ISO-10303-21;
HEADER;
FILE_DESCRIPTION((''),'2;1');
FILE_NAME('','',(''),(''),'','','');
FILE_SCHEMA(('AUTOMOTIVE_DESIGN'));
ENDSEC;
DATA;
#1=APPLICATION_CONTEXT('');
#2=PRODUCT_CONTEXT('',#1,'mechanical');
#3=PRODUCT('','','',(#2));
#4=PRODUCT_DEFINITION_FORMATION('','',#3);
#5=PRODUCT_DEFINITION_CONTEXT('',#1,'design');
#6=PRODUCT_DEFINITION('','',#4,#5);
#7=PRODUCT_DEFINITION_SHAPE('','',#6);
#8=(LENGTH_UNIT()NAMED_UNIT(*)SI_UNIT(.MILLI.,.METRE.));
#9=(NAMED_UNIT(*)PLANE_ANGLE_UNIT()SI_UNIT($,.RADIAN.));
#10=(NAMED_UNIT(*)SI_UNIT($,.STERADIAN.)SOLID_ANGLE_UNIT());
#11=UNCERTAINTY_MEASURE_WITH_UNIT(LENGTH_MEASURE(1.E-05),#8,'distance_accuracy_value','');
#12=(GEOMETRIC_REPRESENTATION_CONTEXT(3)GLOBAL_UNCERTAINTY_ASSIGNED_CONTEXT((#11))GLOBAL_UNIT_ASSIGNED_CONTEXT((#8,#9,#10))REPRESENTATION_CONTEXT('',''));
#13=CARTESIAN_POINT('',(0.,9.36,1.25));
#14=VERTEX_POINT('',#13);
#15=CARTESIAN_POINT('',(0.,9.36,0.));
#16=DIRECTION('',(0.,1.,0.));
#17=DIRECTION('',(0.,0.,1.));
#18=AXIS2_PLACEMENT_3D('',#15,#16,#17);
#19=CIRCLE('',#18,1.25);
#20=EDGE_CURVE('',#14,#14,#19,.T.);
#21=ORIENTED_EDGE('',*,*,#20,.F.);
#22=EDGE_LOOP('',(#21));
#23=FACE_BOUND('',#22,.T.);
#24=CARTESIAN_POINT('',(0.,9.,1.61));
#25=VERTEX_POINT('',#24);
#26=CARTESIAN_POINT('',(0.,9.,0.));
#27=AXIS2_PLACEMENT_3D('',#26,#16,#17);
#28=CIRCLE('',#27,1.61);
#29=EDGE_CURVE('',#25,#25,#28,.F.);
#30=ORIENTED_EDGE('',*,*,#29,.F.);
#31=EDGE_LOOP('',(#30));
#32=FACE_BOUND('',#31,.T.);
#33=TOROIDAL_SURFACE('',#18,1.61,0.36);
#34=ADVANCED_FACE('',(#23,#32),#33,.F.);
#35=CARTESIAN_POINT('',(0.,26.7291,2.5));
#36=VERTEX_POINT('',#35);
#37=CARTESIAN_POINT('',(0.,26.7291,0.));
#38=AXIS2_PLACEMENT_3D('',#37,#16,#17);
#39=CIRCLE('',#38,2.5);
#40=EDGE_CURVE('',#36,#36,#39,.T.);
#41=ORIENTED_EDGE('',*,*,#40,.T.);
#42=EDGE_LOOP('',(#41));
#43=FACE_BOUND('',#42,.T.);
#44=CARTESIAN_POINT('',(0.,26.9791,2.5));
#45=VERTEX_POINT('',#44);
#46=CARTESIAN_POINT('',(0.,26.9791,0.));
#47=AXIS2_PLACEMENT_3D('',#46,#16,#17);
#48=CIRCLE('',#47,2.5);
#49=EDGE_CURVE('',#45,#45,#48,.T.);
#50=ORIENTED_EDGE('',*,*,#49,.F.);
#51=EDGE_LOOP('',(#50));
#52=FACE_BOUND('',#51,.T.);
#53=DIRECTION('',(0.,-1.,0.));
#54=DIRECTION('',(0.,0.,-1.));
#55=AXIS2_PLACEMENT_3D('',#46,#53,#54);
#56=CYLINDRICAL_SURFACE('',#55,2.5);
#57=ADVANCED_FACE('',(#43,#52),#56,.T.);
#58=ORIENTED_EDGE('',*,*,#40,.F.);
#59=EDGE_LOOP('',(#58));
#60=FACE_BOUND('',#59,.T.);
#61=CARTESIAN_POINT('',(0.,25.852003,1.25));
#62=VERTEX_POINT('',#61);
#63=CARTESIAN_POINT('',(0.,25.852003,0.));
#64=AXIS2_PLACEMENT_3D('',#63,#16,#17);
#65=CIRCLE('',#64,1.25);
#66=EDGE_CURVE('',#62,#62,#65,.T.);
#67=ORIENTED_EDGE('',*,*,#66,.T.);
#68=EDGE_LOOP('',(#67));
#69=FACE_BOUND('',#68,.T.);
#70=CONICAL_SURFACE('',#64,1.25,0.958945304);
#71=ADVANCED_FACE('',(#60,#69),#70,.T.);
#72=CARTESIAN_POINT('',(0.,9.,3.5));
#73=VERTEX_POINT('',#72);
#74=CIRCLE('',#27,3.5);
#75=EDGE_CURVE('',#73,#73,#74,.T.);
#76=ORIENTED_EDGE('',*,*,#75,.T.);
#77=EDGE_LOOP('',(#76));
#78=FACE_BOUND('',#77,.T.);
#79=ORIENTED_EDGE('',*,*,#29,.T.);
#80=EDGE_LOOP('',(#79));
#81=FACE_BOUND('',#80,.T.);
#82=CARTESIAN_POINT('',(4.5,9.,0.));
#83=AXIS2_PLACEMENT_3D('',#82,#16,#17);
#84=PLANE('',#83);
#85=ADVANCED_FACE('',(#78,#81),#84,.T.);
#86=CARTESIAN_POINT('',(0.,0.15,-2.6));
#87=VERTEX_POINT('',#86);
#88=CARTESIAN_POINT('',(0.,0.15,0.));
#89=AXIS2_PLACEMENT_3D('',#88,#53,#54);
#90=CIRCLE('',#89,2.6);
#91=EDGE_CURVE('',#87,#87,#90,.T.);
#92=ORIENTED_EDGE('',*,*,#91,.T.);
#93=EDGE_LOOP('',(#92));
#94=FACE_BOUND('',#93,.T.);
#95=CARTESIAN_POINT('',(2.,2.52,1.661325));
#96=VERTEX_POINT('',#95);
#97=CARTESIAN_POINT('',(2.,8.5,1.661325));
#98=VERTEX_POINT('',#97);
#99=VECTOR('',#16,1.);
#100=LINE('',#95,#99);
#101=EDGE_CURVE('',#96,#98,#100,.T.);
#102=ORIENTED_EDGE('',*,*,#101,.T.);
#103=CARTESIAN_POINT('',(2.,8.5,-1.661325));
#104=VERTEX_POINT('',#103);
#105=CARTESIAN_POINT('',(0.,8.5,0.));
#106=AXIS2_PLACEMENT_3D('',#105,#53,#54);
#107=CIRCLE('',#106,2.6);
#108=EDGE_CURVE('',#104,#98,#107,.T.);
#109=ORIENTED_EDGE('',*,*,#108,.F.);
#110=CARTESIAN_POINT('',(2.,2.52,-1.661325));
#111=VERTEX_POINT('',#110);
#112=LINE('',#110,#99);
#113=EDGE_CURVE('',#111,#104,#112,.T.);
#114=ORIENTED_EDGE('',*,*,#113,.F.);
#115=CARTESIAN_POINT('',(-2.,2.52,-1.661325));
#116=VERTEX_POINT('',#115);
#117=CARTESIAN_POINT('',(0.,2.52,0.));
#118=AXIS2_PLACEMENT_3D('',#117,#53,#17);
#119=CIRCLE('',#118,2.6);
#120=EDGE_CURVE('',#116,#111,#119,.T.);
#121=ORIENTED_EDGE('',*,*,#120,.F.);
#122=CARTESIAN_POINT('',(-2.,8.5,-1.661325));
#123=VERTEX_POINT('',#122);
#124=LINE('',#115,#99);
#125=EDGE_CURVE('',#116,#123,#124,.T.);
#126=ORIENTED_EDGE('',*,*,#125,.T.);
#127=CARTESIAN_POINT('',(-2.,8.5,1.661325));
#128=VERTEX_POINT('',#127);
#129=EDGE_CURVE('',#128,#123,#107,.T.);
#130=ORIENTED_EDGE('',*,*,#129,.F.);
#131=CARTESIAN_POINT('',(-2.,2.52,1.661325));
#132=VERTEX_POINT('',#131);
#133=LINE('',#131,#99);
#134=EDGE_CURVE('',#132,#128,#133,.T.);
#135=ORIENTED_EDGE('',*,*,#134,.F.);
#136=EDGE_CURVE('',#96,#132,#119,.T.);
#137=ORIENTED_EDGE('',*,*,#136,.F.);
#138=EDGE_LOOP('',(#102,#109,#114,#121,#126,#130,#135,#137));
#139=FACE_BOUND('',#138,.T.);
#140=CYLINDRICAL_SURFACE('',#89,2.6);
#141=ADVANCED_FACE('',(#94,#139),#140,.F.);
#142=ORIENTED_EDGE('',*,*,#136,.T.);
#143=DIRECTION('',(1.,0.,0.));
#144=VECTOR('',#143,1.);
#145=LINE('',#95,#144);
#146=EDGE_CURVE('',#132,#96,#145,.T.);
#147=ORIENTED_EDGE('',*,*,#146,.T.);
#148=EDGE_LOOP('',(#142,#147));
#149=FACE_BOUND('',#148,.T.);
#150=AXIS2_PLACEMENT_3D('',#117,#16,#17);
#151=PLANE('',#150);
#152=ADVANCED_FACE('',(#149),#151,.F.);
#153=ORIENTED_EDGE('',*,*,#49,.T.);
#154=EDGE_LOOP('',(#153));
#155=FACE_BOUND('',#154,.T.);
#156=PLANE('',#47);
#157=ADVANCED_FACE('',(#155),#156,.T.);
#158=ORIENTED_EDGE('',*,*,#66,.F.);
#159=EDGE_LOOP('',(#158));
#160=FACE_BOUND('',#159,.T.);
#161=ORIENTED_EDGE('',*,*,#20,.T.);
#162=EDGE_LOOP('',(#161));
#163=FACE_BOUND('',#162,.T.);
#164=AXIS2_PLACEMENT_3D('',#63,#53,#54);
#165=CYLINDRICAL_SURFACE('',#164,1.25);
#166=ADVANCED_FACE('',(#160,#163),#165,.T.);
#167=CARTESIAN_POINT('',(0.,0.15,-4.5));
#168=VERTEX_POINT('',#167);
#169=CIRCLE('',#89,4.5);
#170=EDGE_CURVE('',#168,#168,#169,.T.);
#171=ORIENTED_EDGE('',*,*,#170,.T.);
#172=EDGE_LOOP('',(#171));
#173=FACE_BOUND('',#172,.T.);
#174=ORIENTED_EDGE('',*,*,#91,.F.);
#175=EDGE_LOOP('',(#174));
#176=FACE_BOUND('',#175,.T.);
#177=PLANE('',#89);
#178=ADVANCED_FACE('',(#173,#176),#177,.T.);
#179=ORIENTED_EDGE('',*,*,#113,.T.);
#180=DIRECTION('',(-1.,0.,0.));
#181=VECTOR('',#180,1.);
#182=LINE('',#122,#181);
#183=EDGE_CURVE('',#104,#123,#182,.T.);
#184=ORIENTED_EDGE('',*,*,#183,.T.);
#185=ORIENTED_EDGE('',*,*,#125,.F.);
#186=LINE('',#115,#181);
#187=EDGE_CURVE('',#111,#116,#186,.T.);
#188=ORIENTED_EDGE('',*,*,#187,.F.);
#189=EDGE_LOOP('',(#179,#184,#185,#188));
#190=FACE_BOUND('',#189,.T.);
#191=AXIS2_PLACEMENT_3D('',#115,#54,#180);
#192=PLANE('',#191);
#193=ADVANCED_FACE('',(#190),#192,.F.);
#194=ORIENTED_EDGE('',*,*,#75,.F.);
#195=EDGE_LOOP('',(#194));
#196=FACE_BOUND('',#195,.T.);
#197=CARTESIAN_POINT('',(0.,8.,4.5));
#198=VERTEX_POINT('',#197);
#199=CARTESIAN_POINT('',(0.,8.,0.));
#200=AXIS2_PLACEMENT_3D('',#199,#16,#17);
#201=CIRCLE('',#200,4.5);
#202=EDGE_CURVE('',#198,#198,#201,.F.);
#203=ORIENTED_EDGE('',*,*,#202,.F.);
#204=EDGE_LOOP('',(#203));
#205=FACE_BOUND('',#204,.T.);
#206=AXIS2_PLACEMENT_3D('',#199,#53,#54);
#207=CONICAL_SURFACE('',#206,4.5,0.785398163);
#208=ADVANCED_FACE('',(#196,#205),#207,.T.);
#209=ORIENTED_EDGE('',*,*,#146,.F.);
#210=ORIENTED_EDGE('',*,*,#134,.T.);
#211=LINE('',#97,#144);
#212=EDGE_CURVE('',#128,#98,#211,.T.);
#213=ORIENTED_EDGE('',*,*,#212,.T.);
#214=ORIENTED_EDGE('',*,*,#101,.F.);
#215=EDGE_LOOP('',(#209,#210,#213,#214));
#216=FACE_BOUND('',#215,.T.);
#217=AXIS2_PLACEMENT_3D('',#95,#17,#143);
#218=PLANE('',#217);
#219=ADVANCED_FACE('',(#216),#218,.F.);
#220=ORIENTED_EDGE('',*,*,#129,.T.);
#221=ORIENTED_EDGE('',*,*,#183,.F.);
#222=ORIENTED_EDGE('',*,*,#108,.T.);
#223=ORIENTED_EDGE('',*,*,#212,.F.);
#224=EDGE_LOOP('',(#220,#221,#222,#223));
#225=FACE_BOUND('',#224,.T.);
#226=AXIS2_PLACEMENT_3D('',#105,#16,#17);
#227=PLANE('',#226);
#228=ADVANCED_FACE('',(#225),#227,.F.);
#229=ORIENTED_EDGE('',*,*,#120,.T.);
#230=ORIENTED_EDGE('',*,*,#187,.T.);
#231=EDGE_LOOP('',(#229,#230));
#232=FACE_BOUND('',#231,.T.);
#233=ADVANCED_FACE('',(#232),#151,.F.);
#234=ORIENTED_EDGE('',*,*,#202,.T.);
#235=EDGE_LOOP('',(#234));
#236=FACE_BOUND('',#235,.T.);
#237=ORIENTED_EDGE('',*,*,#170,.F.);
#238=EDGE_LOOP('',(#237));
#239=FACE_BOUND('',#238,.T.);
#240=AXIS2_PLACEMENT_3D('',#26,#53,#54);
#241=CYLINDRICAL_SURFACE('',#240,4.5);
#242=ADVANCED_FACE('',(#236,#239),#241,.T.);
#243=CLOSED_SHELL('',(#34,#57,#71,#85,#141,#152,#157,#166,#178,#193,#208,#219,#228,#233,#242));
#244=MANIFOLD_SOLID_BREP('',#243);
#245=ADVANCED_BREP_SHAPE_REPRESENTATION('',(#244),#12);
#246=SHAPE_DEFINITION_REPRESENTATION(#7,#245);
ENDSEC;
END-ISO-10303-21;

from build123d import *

# Parameters (mm, degrees)
SKETCH1_W                      = 4.5
SKETCH1_H                      = 8.85
F_5_2_5_2_DIAMETER_HOLE1_D     = 5.2
F_5_2_5_2_DIAMETER_HOLE1_DEPTH = 8.35
BOSS_EXTRUDE1_DEPTH            = 5.98
BOSS_EXTRUDE2_DEPTH            = 5.98
SKETCH6_R                      = 1.25
BOSS_EXTRUDE3_DEPTH            = 16.852002855
SKETCH7_R                      = 1.25
BOSS_EXTRUDE4_DEPTH            = 0.877097074
BOSS_EXTRUDE4_TAPER            = -54.943518707
SKETCH8_R                      = 2.5
BOSS_EXTRUDE5_DEPTH            = 0.25
CHAMFER1_SIZE                  = 1
FILLET1_R                      = 0.36


with BuildPart() as part:
    # Sketch1 → Revolve1 (revolve)
    with BuildSketch(Plane.XY):
        with Locations((2.25, 4.575)):
            Rectangle(SKETCH1_W, SKETCH1_H)
    revolve(axis=Axis((0, 9, 0), (0, -1, 0)))

    # Ø5.2 (5.2) Diameter Hole1
    with Locations(Plane(origin=(0, 0.15, 0), x_dir=(-1, 0, 0), z_dir=(0, -1, 0))):
        with Locations((0, 0)):
            Hole(F_5_2_5_2_DIAMETER_HOLE1_D / 2, depth=F_5_2_5_2_DIAMETER_HOLE1_DEPTH)

    # Sketch4 → Boss-Extrude1 (add)
    with BuildSketch(Plane.XZ.offset(-8.5)):
        with BuildLine():
            Line((-2, -1.661324773), (2, -1.661324773))
            ThreePointArc((2, -1.661324773), (0, -2.6), (-2, -1.661324773))
        make_face()
    extrude(amount=BOSS_EXTRUDE1_DEPTH)

    # Sketch5 → Boss-Extrude2 (add)
    with BuildSketch(Plane.XZ.offset(-8.5)):
        with BuildLine():
            Line((2, 1.661324773), (-2, 1.661324773))
            ThreePointArc((-2, 1.661324773), (0, 2.6), (2, 1.661324773))
        make_face()
    extrude(amount=BOSS_EXTRUDE2_DEPTH)

    # Sketch6 → Boss-Extrude3 (add)
    with BuildSketch(Plane(origin=(0, 9, 0), x_dir=(-1, 0, 0), z_dir=(0, 1, 0))):
        Circle(SKETCH6_R)
    extrude(amount=BOSS_EXTRUDE3_DEPTH)

    # Sketch7 → Boss-Extrude4 (add)
    with BuildSketch(Plane(origin=(0, 25.852002855, 0), x_dir=(-1, 0, 0), z_dir=(0, 1, 0))):
        Circle(SKETCH7_R)
    extrude(amount=BOSS_EXTRUDE4_DEPTH, taper=BOSS_EXTRUDE4_TAPER)

    # Sketch8 → Boss-Extrude5 (add)
    with BuildSketch(Plane(origin=(0, 26.729099929, 0), x_dir=(-1, 0, 0), z_dir=(0, 1, 0))):
        Circle(SKETCH8_R)
    extrude(amount=BOSS_EXTRUDE5_DEPTH)

    # Chamfer1
    chamfer1_edges = [part.edges().sort_by_distance(p)[0] for p in [
        (-4.5, 9, 0),
    ]]
    chamfer(chamfer1_edges, length=CHAMFER1_SIZE)

    # Fillet1
    fillet1_edges = [part.edges().sort_by_distance(p)[0] for p in [
        (1.25, 9, 0),
    ]]
    fillet(fillet1_edges, radius=FILLET1_R)


solid = part.part
